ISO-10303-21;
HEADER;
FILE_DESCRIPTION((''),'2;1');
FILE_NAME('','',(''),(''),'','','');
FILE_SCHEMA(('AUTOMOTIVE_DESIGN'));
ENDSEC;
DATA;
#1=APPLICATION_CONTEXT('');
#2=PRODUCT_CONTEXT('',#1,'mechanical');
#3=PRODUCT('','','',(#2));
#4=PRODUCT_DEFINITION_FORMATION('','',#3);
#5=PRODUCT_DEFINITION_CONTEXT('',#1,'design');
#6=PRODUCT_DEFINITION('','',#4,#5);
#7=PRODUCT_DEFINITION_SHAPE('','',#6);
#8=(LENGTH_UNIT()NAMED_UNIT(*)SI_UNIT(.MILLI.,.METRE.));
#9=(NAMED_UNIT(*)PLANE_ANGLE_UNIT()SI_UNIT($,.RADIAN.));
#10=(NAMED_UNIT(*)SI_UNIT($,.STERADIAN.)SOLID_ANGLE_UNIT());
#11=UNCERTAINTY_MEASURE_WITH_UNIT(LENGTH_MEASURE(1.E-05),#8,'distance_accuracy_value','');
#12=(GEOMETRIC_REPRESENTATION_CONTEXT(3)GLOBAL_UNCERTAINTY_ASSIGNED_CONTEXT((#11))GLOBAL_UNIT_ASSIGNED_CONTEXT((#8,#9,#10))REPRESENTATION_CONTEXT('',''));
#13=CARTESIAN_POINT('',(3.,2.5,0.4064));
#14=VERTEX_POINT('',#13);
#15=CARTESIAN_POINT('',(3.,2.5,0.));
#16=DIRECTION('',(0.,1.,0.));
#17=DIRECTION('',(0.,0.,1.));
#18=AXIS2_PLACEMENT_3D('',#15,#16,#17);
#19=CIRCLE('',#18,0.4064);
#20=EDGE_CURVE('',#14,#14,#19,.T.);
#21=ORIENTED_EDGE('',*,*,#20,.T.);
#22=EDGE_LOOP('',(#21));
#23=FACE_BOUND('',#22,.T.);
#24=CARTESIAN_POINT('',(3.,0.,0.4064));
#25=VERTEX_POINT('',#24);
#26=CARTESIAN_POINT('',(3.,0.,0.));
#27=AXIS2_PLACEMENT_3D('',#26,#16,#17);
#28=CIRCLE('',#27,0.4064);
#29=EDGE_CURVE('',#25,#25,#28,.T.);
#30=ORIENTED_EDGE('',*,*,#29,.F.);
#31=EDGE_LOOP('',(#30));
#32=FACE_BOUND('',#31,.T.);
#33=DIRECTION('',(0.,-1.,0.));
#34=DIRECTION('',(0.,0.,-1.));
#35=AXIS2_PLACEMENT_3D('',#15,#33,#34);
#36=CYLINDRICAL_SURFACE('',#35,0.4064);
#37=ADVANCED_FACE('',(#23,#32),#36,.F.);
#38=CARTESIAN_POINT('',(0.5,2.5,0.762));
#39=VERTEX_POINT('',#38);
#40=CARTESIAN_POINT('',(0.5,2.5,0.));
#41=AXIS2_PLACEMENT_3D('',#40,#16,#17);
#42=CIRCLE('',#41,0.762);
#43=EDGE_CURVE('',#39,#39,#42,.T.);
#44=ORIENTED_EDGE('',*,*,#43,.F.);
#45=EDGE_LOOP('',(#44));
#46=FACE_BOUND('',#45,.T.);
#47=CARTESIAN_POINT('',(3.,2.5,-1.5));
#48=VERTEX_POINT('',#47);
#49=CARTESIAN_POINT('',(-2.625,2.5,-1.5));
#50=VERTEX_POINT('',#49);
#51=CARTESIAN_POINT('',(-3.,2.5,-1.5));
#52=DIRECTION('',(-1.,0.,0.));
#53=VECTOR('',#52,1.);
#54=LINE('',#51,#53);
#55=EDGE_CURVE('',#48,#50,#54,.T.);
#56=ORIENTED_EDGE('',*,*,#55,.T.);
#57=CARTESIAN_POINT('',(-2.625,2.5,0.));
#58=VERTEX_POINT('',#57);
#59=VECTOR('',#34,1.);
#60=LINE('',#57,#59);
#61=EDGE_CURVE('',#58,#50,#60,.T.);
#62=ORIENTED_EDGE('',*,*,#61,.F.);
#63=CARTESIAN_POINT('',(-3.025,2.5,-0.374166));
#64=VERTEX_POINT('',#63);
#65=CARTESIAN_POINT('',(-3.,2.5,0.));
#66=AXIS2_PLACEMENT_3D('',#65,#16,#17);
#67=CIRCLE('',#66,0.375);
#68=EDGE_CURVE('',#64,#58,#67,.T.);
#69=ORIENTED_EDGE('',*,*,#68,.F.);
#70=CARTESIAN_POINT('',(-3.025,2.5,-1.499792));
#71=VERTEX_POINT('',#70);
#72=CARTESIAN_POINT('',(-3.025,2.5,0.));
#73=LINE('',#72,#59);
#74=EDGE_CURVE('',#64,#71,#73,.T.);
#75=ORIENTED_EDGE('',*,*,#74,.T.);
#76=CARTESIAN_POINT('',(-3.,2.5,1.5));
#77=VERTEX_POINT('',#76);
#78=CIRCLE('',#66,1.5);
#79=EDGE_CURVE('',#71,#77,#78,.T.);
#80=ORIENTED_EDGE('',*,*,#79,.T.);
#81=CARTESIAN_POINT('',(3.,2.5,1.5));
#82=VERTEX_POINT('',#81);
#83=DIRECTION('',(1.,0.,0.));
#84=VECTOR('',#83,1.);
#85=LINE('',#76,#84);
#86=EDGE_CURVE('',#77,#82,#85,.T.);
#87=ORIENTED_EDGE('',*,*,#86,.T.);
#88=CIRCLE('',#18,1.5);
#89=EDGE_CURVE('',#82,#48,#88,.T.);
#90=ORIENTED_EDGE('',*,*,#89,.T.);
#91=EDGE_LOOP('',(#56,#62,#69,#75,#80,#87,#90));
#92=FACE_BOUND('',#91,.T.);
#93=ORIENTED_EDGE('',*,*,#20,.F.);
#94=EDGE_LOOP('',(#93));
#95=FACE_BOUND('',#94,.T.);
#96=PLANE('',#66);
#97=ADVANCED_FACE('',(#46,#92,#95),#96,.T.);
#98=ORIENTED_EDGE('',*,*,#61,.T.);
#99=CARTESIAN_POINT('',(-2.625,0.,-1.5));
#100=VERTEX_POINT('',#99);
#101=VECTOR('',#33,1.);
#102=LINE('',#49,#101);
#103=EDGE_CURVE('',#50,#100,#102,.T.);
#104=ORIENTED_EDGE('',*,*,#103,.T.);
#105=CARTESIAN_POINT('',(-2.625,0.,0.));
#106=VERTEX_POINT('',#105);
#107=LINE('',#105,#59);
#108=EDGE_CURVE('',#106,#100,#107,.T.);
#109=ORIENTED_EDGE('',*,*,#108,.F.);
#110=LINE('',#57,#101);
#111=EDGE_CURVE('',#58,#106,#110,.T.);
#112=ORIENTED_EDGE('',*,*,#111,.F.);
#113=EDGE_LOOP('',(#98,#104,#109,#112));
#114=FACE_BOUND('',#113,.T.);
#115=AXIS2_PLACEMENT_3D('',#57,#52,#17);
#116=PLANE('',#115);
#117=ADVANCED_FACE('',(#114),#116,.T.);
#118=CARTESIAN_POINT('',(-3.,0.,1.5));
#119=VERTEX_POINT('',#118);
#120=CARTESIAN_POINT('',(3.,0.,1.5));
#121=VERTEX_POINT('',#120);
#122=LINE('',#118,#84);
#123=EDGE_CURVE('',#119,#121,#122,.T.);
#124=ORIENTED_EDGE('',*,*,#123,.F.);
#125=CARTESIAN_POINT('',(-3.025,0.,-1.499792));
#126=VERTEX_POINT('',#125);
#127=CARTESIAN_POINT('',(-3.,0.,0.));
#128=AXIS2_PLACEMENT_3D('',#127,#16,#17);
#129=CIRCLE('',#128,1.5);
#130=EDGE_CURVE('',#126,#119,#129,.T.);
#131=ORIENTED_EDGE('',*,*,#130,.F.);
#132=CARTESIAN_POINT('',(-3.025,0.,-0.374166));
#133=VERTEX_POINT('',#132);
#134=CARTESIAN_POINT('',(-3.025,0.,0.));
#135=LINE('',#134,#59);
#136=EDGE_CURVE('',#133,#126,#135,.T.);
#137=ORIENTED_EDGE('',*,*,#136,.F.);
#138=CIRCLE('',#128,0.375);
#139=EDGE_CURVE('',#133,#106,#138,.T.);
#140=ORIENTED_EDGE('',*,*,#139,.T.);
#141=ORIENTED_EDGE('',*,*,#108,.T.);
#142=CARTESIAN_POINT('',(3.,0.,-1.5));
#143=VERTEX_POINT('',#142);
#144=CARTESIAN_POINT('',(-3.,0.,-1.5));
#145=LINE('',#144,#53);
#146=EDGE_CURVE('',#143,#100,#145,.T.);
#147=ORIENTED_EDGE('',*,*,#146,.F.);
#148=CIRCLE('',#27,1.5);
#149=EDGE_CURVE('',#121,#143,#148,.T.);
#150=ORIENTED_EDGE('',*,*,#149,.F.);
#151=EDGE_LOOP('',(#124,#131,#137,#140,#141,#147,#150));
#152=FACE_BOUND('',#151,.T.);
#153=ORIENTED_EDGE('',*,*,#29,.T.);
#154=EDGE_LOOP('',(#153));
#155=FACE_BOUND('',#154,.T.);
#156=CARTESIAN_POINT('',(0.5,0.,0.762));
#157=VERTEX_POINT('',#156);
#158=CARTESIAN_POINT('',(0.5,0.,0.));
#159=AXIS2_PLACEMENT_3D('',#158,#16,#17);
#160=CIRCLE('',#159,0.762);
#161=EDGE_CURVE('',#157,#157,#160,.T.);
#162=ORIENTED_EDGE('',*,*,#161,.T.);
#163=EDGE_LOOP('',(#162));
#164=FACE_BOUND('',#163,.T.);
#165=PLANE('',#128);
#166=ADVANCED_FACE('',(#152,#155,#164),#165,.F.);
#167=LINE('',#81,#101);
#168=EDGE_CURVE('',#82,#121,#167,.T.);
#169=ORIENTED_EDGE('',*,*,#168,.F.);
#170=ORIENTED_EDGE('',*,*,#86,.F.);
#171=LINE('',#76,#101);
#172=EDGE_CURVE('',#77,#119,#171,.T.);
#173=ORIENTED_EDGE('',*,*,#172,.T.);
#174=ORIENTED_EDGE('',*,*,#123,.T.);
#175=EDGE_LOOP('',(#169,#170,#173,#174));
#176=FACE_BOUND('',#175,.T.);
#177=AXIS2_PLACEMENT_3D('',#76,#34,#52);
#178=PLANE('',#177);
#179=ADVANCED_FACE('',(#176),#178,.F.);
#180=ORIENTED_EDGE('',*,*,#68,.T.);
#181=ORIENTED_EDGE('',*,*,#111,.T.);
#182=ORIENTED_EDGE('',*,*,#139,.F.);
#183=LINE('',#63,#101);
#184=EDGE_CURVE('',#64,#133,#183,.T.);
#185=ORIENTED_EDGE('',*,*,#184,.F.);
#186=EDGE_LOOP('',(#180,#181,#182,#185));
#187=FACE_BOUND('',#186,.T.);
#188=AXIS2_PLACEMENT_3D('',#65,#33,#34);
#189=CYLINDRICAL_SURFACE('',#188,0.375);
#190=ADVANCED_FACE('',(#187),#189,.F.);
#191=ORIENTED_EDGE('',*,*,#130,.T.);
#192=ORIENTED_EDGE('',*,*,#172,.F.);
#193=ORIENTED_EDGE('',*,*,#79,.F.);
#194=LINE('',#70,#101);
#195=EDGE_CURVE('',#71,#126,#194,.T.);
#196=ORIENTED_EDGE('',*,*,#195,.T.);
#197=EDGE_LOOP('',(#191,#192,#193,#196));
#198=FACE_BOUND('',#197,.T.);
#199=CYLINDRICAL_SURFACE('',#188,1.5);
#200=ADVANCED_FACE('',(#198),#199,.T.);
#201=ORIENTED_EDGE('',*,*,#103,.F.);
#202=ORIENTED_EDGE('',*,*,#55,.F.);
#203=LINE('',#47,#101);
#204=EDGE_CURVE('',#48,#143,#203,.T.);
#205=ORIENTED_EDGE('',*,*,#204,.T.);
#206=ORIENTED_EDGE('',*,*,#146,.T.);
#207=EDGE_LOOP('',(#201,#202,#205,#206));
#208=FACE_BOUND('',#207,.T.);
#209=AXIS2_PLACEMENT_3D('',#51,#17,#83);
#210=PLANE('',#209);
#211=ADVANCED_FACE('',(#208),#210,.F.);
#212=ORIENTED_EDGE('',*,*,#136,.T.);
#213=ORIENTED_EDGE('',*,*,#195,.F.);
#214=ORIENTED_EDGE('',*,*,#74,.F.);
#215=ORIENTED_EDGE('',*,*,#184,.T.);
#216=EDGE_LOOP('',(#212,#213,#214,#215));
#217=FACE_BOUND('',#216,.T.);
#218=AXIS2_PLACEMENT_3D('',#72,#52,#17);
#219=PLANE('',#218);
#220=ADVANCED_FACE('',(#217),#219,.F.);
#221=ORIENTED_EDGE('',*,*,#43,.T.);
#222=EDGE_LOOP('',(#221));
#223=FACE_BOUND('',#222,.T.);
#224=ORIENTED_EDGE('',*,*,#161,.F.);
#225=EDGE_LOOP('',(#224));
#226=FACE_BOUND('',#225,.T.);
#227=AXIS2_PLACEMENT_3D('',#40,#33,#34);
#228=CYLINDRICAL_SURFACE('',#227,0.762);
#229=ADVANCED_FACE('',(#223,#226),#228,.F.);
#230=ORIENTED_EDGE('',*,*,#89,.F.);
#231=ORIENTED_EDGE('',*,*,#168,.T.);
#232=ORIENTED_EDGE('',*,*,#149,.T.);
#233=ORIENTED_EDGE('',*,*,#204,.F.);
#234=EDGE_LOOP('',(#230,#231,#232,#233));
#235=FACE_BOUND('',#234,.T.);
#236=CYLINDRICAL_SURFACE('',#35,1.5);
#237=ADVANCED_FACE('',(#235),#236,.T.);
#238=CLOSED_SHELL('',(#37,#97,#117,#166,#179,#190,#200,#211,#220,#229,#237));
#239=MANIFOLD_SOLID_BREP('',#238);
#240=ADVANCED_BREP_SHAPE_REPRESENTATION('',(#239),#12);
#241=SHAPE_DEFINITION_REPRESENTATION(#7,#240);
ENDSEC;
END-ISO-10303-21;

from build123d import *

# Parameters (mm, degrees)
SKETCH1_R           = 0.762
SKETCH1_R_2         = 0.4064
SKETCH1_R_3         = 0.375
BOSS_EXTRUDE1_DEPTH = 2.5
SKETCH2_W           = 0.4
SKETCH2_H           = 2.5
CUT_EXTRUDE1_DEPTH  = 6.361902647


with BuildPart() as part:
    # Sketch1 → Boss-Extrude1 (new body)
    with BuildSketch(Plane(origin=(0, 0, 0), x_dir=(1, 0, 0), z_dir=(0, 1, 0))):
        with BuildLine():
            Line((-3, 1.5), (3, 1.5))
            ThreePointArc((3, 1.5), (4.5, 0), (3, -1.5))
            Line((3, -1.5), (-3, -1.5))
            ThreePointArc((-3, -1.5), (-4.5, 0), (-3, 1.5))
        make_face()
        with Locations(Location((0.5, 0, 0), (0, 0, 270))):
            Circle(SKETCH1_R, mode=Mode.SUBTRACT)
        with Locations(Location((3, 0, 0), (0, 0, 270))):
            Circle(SKETCH1_R_2, mode=Mode.SUBTRACT)
        with Locations(Location((-3, 0, 0), (0, 0, 270))):
            Circle(SKETCH1_R_3, mode=Mode.SUBTRACT)
    extrude(amount=BOSS_EXTRUDE1_DEPTH)

    # Sketch2 → Cut-Extrude1 (cut, through all)
    with BuildSketch(Plane.XZ):
        with Locations((-2.825, -1.25)):
            Rectangle(SKETCH2_W, SKETCH2_H)
    extrude(amount=-CUT_EXTRUDE1_DEPTH, mode=Mode.SUBTRACT)


solid = part.part
